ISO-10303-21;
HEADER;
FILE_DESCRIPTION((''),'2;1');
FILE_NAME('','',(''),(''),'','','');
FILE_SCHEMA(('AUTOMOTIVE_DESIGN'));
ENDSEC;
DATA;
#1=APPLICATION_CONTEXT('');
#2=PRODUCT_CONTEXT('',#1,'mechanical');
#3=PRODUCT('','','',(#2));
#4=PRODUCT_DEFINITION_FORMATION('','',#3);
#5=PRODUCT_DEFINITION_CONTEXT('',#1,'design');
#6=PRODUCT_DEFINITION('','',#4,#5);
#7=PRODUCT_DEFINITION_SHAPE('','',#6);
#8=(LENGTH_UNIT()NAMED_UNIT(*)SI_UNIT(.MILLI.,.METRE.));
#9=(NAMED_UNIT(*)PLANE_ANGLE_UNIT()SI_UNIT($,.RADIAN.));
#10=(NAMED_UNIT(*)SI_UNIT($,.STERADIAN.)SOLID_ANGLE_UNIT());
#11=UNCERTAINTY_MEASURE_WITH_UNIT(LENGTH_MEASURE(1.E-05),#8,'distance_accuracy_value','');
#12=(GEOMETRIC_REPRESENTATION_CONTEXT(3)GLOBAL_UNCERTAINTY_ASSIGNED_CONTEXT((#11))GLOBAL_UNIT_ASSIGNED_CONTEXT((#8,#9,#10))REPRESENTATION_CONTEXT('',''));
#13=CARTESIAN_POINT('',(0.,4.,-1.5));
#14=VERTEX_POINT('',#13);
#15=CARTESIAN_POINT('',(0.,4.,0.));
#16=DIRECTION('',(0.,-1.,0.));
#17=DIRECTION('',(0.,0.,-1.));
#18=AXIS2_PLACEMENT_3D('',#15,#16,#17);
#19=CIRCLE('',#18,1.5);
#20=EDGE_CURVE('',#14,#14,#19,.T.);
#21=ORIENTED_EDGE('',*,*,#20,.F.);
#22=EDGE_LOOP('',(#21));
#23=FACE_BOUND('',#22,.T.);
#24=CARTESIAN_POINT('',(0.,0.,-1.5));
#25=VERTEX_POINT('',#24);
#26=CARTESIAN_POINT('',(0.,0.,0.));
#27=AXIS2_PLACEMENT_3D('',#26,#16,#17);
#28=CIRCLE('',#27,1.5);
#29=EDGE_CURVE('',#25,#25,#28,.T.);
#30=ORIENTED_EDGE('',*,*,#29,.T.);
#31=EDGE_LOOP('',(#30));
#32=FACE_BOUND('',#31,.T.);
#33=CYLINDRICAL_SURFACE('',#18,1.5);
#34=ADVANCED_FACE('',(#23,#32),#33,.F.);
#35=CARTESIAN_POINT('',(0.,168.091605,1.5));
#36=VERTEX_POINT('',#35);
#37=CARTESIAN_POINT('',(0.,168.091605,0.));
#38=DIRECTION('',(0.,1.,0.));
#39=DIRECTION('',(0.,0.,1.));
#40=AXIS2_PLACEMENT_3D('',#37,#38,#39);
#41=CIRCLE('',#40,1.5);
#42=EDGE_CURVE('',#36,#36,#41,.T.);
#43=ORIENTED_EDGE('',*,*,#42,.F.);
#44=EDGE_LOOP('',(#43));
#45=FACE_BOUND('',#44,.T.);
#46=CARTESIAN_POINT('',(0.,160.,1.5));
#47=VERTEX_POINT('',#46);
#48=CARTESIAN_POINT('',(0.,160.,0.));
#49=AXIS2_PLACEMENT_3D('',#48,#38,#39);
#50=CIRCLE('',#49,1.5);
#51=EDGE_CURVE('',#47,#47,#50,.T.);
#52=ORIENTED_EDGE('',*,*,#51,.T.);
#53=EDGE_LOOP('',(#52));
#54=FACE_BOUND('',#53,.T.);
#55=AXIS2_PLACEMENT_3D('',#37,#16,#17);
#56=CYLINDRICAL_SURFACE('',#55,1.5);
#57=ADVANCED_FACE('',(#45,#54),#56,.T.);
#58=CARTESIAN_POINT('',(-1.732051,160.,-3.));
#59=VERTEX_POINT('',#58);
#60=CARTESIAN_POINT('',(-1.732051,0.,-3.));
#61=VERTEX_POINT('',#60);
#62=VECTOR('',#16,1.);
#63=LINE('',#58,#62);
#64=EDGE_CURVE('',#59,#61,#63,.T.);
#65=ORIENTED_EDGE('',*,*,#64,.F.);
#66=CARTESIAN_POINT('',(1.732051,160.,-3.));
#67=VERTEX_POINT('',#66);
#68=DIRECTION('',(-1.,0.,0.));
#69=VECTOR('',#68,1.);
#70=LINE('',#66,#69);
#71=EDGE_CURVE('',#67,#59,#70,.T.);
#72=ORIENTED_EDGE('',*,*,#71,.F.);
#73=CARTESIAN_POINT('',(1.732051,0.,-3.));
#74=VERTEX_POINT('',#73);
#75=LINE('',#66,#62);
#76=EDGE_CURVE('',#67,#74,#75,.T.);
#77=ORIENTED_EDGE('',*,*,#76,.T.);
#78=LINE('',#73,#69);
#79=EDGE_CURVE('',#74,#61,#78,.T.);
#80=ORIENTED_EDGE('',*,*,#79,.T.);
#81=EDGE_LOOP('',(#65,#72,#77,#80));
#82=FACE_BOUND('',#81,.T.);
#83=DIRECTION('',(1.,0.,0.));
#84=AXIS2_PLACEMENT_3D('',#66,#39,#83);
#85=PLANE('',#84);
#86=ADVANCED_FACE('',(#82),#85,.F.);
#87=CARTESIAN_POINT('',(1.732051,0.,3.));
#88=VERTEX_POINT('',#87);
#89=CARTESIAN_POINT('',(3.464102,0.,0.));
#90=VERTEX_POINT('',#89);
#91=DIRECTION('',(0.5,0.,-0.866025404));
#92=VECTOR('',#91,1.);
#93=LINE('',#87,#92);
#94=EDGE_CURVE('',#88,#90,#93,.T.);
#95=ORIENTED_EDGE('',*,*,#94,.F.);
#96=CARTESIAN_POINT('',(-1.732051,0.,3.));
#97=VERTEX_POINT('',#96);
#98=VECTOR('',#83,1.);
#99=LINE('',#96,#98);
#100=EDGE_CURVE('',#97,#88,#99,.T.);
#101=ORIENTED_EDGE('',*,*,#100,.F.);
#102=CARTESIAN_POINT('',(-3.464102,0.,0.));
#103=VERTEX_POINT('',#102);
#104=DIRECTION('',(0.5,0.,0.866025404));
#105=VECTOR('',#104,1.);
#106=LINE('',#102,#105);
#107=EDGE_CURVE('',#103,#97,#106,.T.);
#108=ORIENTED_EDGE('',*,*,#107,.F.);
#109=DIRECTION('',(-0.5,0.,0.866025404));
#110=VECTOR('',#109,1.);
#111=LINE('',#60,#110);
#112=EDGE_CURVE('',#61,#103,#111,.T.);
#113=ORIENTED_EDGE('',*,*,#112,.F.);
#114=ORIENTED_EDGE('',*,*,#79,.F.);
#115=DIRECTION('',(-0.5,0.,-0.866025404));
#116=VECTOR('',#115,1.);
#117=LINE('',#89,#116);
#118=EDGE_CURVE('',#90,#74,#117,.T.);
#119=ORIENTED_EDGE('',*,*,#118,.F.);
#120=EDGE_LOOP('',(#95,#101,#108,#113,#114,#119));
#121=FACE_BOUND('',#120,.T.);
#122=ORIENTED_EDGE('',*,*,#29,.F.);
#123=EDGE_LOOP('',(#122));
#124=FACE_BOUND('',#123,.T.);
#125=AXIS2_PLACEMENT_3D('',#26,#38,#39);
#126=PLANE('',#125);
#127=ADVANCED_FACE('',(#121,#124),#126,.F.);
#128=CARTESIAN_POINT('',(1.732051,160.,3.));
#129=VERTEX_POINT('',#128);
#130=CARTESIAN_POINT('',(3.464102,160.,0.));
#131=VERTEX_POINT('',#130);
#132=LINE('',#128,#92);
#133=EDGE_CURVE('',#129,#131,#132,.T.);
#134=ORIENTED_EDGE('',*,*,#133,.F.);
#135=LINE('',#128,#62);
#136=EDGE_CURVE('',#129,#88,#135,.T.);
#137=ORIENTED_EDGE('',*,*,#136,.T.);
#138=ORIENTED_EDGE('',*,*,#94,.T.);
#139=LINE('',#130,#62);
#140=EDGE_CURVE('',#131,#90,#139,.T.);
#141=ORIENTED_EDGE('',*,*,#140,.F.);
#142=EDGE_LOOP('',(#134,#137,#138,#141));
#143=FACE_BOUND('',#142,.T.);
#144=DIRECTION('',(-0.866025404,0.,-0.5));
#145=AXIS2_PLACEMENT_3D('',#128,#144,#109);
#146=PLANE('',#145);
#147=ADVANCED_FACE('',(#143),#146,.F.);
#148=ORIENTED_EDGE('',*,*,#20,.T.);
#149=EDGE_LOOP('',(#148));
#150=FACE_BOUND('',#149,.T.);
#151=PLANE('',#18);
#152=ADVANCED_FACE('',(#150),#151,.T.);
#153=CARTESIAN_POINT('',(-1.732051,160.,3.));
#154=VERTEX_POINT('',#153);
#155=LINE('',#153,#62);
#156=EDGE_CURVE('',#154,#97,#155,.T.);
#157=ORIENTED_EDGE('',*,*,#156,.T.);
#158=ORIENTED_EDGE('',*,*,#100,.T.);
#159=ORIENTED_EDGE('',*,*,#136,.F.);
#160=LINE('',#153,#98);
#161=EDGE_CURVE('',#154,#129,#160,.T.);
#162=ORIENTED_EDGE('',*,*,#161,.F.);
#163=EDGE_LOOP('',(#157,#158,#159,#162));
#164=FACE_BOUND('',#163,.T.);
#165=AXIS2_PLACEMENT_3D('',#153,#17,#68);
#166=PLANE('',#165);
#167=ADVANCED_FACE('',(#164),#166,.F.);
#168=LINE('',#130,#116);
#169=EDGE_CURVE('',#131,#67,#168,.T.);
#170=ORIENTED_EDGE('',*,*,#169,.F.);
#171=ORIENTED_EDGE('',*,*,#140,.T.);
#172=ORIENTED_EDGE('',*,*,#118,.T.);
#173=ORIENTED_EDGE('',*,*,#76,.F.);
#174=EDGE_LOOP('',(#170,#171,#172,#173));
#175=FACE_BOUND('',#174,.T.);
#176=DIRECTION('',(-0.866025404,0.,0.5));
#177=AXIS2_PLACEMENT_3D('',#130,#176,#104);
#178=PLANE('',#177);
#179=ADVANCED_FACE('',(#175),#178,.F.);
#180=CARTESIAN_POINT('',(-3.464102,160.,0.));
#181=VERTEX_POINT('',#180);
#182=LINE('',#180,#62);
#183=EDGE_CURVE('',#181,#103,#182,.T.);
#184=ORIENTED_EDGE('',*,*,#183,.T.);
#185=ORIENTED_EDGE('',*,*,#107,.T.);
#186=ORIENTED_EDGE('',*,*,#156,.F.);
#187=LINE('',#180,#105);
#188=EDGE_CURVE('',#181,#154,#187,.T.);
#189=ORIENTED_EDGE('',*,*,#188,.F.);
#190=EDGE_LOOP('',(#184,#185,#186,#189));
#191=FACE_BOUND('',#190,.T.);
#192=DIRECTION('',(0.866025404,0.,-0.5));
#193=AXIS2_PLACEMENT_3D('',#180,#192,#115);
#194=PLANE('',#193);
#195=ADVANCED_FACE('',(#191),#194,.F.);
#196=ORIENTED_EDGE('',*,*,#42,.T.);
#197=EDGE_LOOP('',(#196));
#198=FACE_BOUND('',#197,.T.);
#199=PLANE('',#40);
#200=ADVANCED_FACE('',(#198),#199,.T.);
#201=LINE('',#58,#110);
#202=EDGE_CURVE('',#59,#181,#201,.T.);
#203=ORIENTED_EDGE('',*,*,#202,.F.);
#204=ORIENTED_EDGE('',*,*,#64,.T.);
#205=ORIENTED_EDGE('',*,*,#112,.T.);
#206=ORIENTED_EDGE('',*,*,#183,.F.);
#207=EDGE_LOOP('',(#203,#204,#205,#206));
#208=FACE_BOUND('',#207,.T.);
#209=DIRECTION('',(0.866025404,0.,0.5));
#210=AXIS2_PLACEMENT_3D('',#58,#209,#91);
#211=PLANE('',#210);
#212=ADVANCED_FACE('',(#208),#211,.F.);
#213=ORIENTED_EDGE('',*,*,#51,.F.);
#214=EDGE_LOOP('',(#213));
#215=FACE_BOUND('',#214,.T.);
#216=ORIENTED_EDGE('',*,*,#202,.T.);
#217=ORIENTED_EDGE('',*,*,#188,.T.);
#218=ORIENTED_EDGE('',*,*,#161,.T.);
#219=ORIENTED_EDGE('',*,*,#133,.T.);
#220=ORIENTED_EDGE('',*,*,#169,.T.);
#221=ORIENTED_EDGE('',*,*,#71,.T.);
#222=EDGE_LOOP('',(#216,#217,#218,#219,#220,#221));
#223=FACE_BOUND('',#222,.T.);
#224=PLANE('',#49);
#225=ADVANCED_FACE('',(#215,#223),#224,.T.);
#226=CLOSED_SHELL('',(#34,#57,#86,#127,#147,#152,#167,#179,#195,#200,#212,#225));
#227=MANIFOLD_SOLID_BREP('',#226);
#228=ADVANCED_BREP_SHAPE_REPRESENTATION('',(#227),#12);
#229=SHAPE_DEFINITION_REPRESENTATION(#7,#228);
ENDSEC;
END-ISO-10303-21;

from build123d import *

# Parameters (mm, degrees)
BOSS_EXTRUDE1_DEPTH = 160
SKETCH5_R           = 1.5
BOSS_EXTRUDE2_DEPTH = 8.091605471
SKETCH6_R           = 1.5
CUT_EXTRUDE1_DEPTH  = 4


with BuildPart() as part:
    # Sketch3 → Boss-Extrude1 (new body)
    with BuildSketch(Plane(origin=(0, 0, 0), x_dir=(1, 0, 0), z_dir=(0, 1, 0))):
        Polygon((-3.464101615, 0), (-1.732050808, -3), (1.732050808, -3), (3.464101615, 0), (1.732050808, 3), (-1.732050808, 3), align=None)
    extrude(amount=BOSS_EXTRUDE1_DEPTH)

    # Sketch5 → Boss-Extrude2 (add)
    with BuildSketch(Plane(origin=(0, 160, 0), x_dir=(1, 0, 0), z_dir=(0, 1, 0))):
        with Locations(Location((0, 0, 0), (0, 0, 270))):
            Circle(SKETCH5_R)
    extrude(amount=BOSS_EXTRUDE2_DEPTH)

    # Sketch6 → Cut-Extrude1 (cut)
    with BuildSketch(Plane.XZ):
        with Locations(Location((0, 0, 0), (0, 0, 90))):
            Circle(SKETCH6_R)
    extrude(amount=-CUT_EXTRUDE1_DEPTH, mode=Mode.SUBTRACT)


solid = part.part
